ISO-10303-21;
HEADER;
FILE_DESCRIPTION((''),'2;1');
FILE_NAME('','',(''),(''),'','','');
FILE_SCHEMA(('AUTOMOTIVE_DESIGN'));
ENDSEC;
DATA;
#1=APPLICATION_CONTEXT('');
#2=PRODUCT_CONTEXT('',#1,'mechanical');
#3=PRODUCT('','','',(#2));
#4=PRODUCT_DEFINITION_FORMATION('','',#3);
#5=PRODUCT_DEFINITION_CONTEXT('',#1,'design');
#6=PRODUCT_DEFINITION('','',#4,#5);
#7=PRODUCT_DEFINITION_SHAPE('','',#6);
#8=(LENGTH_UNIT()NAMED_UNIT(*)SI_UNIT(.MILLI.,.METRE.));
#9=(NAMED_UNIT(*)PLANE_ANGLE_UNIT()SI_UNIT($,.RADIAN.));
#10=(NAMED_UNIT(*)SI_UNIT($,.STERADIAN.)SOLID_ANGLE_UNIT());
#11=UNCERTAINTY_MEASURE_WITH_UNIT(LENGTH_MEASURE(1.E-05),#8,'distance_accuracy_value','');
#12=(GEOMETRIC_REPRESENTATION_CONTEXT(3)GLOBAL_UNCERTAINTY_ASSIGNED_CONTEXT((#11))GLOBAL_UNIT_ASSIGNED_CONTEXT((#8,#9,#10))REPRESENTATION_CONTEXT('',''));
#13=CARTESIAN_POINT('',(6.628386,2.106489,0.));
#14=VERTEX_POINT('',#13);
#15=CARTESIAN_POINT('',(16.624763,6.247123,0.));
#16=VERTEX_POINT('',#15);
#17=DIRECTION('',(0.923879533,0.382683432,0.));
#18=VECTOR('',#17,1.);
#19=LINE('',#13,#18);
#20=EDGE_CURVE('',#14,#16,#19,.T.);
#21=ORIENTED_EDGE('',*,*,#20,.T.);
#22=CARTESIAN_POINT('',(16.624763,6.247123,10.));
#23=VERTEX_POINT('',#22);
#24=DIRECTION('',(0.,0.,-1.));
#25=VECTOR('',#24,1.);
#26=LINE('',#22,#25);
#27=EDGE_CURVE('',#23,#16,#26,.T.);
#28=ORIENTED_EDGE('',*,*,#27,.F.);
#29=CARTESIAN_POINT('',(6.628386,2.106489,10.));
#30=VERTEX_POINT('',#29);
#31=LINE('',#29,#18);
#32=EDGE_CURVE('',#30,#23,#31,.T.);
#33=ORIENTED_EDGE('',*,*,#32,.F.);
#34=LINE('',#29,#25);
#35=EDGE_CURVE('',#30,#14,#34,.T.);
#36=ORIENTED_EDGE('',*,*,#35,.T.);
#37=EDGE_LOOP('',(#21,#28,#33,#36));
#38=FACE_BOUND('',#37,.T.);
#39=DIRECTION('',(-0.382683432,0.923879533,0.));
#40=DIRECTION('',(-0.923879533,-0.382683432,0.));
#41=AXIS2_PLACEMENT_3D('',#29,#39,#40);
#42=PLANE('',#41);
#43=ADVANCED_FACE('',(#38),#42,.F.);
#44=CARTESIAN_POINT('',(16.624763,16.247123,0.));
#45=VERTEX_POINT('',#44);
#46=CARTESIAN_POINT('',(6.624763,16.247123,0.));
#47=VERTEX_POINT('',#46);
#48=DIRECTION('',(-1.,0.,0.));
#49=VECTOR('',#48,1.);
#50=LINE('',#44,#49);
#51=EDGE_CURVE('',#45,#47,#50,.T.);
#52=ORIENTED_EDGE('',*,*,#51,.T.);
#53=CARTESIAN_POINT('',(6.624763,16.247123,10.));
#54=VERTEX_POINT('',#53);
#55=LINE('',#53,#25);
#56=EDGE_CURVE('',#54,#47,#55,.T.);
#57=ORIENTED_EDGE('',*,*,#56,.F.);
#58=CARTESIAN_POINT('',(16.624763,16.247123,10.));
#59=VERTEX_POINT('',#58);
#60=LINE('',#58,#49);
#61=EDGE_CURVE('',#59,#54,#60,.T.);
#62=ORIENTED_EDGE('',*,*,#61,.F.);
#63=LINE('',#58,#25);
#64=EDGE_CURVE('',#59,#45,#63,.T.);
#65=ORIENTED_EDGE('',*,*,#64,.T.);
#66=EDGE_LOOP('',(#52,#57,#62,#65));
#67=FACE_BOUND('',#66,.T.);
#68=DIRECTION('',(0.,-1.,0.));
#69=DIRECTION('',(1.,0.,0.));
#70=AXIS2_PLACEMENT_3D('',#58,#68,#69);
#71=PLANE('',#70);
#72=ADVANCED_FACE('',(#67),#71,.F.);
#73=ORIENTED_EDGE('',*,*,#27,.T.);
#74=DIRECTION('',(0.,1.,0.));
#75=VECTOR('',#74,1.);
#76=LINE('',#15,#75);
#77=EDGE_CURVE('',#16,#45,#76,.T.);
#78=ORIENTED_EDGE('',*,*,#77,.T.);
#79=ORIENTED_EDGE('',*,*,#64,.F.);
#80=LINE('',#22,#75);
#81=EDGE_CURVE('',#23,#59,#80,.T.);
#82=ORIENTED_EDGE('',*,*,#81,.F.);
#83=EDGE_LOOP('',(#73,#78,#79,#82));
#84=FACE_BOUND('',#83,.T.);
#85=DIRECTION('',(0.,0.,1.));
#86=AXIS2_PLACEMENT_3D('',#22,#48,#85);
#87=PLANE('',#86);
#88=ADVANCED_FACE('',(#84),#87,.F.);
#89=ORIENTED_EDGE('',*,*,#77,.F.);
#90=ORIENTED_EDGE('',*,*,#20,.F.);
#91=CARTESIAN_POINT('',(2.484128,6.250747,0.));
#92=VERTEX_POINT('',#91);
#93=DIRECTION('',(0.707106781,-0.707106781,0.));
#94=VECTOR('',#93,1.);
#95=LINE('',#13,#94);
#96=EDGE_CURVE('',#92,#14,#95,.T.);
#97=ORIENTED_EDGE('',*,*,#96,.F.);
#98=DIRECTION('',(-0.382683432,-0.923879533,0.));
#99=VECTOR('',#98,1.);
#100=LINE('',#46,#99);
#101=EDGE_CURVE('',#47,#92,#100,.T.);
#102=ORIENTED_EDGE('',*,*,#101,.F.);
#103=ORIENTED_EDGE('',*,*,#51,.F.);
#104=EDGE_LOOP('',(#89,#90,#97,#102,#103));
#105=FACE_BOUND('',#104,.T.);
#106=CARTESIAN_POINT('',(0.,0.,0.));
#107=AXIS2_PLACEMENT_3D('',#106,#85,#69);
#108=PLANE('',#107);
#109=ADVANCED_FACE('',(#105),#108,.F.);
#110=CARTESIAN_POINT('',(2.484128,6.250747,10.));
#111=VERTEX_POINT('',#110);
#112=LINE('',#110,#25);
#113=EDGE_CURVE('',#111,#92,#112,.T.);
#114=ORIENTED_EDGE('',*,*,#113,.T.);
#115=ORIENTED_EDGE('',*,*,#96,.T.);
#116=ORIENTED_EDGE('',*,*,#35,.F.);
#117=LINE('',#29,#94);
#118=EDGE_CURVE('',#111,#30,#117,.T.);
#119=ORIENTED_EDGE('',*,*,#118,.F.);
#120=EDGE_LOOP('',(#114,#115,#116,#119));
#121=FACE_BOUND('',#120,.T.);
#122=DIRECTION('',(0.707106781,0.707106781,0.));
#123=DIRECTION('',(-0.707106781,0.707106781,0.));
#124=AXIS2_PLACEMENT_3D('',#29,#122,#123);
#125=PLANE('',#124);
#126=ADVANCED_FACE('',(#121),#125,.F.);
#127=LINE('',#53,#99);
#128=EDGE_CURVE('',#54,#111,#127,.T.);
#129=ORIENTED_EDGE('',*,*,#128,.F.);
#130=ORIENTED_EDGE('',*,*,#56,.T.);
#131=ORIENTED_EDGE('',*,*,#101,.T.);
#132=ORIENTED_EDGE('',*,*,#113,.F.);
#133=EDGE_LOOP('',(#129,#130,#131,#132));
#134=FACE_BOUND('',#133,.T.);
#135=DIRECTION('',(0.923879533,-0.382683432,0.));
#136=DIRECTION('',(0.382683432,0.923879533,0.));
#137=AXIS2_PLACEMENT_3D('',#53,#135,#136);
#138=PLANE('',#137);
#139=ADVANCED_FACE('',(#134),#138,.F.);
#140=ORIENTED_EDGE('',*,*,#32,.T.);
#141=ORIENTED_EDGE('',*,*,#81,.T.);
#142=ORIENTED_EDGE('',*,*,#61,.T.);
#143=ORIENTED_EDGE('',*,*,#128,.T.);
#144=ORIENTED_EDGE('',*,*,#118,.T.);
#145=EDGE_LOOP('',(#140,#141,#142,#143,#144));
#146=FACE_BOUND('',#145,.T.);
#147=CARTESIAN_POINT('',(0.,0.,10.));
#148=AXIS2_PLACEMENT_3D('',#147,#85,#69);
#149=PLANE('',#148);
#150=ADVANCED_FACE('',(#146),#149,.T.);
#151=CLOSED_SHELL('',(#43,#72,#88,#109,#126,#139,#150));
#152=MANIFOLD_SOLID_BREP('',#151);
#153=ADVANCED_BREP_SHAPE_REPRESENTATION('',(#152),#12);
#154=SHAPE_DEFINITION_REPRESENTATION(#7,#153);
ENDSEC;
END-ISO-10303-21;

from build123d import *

# Parameters (mm, degrees)
EXTRUDE_1_DEPTH = 10


with BuildPart() as part:
    # 草图1 → 凸台-拉伸1 (new body)
    with BuildSketch(Plane.XY):
        Polygon((16.624762525, 6.247123494), (16.624762525, 16.247123494), (6.624762525, 16.247123494), (2.484127787, 6.250746952), (6.628385983, 2.106488756), align=None)
    extrude(amount=EXTRUDE_1_DEPTH)


solid = part.part
